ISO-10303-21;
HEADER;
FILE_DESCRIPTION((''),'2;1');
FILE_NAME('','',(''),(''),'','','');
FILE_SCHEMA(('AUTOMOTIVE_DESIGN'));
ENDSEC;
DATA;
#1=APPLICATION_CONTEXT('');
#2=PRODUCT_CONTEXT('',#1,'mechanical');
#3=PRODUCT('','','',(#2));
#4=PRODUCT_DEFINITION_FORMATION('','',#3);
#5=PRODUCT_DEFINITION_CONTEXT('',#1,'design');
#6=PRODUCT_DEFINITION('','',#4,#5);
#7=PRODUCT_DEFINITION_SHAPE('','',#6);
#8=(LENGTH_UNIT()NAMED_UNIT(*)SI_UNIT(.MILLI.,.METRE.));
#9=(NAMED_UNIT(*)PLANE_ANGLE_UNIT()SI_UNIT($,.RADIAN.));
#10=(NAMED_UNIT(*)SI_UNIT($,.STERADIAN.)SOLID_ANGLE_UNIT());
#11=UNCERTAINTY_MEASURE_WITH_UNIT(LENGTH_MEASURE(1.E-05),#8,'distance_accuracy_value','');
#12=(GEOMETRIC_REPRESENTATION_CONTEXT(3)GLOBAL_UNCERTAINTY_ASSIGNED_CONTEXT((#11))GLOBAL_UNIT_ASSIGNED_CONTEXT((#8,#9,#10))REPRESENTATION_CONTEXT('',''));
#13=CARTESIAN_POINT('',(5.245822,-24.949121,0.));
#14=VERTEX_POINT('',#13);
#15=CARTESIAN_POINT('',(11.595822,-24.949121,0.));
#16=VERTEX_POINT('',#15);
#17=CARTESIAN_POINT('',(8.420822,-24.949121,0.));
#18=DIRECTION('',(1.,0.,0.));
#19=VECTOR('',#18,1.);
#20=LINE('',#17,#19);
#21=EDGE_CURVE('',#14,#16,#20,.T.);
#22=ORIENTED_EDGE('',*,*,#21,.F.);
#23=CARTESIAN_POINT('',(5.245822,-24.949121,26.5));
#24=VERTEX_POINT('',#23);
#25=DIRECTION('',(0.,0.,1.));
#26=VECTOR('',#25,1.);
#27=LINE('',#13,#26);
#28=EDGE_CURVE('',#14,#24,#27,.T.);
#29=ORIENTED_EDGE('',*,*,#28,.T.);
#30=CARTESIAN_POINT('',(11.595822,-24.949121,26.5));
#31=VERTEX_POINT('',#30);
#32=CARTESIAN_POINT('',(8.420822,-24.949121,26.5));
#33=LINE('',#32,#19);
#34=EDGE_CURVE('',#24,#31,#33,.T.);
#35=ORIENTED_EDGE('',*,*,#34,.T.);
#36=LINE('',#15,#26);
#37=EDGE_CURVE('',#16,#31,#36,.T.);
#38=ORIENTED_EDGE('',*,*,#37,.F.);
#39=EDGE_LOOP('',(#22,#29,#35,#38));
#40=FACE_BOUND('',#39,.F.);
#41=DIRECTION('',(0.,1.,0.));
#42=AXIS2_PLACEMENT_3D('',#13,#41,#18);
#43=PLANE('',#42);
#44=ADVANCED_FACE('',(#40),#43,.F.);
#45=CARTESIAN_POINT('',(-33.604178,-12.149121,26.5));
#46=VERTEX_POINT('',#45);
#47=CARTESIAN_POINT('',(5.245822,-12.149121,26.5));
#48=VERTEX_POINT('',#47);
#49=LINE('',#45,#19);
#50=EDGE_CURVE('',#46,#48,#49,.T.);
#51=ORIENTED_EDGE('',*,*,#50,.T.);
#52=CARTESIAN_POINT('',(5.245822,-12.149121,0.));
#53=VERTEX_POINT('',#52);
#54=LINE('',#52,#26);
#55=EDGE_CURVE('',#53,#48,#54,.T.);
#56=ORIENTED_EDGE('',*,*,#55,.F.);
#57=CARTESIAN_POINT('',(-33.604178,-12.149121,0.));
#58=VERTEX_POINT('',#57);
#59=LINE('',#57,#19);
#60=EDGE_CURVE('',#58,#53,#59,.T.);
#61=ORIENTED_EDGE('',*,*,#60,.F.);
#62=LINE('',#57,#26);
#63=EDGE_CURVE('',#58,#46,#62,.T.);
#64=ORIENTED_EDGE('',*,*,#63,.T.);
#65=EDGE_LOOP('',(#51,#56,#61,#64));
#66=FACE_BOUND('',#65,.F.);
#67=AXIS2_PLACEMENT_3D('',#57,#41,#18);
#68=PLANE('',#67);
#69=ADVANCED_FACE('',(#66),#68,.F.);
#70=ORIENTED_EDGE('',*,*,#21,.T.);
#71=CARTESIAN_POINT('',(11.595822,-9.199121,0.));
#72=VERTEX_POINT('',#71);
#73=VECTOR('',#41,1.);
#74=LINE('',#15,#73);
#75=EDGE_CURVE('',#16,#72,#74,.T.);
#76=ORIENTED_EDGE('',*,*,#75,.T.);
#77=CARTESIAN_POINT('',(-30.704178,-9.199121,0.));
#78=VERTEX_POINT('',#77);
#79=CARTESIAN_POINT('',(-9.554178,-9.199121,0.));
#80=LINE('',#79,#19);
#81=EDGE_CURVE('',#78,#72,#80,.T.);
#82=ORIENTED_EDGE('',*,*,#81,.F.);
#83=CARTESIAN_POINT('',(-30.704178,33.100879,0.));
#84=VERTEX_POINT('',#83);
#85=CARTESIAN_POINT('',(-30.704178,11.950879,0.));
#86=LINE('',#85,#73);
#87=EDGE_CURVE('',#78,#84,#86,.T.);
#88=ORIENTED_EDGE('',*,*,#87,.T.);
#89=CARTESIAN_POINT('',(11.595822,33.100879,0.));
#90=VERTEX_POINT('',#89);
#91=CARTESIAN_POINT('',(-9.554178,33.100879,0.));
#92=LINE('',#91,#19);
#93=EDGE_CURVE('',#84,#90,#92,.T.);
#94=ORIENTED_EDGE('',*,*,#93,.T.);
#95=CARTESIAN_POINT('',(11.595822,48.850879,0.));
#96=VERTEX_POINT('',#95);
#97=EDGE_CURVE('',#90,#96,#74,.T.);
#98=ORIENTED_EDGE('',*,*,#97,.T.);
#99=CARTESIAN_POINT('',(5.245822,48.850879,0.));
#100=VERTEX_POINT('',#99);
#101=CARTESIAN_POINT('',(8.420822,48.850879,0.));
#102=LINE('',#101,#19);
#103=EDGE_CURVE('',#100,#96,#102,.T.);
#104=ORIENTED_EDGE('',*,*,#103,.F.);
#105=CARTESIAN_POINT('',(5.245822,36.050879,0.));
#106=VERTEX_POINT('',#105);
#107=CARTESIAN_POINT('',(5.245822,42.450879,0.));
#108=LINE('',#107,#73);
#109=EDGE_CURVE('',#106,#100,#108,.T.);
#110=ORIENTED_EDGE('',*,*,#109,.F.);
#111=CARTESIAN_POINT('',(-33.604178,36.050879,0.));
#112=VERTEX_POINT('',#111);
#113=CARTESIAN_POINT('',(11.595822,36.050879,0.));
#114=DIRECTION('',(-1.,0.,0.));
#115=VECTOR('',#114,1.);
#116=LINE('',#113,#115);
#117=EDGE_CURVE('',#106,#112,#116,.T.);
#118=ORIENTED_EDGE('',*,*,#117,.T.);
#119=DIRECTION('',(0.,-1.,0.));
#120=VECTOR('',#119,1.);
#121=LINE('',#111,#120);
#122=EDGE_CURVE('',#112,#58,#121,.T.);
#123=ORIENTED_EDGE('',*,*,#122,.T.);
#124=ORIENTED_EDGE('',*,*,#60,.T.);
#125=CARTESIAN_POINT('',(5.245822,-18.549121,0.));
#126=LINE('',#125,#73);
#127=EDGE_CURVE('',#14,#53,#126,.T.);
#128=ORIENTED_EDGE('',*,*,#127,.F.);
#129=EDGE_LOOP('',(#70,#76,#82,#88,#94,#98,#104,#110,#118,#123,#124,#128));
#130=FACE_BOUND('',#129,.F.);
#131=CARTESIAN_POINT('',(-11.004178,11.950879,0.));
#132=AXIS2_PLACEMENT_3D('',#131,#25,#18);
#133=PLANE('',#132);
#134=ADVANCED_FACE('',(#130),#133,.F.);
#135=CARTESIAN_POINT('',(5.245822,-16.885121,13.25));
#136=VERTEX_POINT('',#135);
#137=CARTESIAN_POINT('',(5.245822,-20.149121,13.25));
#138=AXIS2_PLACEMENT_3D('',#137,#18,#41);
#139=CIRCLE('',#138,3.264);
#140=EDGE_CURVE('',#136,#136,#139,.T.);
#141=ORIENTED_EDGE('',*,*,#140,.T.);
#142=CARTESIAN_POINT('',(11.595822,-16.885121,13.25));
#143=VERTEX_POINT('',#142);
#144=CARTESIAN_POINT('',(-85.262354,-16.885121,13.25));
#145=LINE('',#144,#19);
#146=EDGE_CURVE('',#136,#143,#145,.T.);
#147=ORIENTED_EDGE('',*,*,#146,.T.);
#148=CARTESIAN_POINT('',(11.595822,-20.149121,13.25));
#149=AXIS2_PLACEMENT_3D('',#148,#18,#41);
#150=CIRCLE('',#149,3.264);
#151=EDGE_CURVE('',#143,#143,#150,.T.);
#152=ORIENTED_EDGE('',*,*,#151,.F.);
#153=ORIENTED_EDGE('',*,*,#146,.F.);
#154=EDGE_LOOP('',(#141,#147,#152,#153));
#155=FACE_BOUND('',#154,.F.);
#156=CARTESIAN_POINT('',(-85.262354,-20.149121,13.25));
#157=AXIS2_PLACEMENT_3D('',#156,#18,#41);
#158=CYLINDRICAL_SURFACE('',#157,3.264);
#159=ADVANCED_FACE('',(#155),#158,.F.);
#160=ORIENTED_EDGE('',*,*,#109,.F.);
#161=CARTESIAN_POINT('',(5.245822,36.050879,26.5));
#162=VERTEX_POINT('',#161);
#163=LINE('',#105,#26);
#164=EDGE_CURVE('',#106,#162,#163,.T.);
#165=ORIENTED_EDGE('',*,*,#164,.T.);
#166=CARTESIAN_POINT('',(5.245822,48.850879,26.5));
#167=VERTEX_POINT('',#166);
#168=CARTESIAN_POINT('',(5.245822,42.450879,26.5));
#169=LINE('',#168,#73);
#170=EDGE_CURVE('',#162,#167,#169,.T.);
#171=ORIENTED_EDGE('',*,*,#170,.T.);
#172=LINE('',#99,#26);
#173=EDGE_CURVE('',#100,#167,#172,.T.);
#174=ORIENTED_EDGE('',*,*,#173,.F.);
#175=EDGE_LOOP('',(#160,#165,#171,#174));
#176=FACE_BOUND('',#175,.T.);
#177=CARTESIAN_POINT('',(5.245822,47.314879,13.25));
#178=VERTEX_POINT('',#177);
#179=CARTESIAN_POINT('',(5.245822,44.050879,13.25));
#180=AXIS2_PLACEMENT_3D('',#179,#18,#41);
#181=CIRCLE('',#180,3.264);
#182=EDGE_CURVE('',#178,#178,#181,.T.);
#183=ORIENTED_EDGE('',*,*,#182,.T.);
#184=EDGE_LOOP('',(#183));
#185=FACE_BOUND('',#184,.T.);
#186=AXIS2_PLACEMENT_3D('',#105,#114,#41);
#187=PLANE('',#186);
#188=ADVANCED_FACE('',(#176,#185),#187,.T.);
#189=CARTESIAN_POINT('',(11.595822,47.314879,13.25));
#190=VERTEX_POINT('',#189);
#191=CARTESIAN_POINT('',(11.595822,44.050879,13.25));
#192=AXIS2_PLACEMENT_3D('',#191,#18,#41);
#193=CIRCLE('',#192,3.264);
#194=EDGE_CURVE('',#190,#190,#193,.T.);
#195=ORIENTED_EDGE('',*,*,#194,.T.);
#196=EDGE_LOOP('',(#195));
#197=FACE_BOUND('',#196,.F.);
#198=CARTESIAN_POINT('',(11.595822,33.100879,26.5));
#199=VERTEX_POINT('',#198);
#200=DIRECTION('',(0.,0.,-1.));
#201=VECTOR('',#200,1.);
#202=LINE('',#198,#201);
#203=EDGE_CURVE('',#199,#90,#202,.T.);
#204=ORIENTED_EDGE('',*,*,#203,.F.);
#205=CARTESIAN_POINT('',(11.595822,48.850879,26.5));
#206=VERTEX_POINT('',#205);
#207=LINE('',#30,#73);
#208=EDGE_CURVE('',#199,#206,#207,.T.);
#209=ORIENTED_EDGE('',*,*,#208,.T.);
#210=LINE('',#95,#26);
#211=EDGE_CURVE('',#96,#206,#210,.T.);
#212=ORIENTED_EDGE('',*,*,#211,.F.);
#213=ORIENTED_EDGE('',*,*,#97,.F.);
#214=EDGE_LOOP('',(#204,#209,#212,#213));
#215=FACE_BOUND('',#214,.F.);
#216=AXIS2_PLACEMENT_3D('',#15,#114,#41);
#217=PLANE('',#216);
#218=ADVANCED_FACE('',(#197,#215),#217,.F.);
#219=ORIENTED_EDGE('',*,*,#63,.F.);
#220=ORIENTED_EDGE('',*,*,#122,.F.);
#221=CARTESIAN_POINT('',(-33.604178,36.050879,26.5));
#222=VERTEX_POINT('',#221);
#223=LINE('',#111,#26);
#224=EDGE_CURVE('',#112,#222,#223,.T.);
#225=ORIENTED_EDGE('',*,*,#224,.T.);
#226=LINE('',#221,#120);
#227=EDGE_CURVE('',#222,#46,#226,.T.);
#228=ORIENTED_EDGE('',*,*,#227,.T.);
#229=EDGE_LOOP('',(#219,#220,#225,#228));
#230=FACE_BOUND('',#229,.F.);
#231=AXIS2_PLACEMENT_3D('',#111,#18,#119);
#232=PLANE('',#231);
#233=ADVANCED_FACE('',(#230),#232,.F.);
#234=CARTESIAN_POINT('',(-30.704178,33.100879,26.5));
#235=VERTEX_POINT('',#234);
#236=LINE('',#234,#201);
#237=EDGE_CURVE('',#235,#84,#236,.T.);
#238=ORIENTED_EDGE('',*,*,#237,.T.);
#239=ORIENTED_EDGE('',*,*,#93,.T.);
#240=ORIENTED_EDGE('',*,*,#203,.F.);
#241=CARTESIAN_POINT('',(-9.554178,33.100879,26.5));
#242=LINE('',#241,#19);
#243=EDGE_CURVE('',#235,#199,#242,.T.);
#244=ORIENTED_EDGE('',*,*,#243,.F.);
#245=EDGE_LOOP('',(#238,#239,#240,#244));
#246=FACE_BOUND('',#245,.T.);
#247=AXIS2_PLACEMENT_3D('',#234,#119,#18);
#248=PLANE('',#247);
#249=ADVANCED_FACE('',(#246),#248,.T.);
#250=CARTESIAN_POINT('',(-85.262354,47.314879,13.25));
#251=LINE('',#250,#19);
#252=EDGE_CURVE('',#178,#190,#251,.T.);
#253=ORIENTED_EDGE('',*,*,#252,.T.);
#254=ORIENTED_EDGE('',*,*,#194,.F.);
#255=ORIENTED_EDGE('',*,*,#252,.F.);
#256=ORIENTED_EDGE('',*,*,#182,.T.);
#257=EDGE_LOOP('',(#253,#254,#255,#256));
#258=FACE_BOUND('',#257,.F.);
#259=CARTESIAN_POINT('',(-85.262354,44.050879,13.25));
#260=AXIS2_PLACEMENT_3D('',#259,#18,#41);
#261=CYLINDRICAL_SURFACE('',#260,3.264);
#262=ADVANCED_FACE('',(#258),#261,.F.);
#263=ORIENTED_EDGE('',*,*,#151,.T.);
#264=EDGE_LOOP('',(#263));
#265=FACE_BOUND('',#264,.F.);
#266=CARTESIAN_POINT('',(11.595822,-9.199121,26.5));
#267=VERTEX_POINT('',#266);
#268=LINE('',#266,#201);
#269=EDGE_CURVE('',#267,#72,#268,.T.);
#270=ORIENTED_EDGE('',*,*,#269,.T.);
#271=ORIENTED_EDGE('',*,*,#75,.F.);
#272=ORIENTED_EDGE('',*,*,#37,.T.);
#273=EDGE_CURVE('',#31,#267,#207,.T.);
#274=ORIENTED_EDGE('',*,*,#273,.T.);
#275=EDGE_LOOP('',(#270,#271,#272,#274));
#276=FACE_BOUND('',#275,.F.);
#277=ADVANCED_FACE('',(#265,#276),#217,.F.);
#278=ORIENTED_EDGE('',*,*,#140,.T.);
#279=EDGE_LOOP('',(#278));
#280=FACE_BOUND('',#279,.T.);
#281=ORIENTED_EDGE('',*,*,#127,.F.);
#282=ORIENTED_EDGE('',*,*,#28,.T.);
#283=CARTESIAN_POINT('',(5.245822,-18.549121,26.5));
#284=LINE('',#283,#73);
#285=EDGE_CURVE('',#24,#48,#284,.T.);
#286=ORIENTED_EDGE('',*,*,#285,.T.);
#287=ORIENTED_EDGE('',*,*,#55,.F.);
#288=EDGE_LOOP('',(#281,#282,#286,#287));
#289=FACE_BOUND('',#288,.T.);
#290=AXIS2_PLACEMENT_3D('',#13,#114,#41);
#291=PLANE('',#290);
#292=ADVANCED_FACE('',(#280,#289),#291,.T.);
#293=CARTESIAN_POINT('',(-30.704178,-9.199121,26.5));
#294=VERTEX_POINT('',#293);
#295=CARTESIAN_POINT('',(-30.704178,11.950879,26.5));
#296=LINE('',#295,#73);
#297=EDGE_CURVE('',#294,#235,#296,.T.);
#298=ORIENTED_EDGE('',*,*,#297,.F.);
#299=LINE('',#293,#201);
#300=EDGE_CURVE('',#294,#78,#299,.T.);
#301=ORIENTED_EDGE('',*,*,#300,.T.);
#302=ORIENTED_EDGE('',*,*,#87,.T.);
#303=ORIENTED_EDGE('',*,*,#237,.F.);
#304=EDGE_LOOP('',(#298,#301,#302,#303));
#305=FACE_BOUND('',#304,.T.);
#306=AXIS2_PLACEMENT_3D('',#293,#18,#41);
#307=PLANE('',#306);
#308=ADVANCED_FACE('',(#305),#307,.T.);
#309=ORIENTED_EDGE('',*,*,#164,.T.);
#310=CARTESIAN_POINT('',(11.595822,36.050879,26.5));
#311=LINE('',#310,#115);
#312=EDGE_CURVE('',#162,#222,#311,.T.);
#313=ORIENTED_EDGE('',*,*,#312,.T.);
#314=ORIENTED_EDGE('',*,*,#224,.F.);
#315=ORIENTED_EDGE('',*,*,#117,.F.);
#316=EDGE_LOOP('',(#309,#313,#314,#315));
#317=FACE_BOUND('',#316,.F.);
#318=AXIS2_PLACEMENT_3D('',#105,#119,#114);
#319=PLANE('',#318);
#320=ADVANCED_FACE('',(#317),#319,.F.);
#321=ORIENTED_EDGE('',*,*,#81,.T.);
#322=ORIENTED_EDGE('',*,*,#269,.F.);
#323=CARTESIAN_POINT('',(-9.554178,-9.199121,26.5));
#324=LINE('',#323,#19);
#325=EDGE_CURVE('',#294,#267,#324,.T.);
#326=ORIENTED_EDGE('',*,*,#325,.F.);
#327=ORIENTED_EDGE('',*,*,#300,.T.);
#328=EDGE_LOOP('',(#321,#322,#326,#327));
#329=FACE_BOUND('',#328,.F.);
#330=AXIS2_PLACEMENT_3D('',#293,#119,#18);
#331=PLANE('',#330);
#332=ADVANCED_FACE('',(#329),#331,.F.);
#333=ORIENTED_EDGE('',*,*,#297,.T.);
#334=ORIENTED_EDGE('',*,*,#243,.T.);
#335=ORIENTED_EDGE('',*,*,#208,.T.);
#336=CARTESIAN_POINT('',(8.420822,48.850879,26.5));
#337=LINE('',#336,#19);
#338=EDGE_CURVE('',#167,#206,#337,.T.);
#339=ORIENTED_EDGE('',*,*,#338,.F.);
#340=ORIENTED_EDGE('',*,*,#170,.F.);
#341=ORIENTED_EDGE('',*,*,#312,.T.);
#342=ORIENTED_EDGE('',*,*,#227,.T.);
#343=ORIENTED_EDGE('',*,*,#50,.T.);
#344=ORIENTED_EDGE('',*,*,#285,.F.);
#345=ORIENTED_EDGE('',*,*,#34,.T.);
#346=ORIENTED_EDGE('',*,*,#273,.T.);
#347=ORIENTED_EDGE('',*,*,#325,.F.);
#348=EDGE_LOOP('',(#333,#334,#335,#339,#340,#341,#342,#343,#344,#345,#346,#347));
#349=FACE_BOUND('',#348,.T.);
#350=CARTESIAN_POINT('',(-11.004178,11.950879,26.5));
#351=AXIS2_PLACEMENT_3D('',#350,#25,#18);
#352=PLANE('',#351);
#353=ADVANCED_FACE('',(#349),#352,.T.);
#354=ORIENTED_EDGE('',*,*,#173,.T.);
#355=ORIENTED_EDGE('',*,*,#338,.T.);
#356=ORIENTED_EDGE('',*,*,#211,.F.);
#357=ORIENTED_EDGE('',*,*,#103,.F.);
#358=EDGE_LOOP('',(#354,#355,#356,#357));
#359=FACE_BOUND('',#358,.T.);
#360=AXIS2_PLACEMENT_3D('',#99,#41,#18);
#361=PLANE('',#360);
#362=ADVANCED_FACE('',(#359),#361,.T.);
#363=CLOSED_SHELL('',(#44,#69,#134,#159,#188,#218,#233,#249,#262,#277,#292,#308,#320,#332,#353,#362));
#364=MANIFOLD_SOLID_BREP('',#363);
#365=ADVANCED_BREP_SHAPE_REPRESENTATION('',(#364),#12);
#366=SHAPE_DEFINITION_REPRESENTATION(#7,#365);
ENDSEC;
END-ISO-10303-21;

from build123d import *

# Parameters (mm, degrees)
F0_W     = 6.35
F0_H     = 12.8
F1_DEPTH = 26.5
F3_D     = 6.528
F4_W     = 42.3
F4_H     = 42.3
F5_DEPTH = 26.5


with BuildPart() as f1:
    # F0 (on Top) → F1 (new body)
    with BuildSketch(Plane.XY):
        Polygon((5.245822, 36.050879), (-33.604178, 36.050879), (-33.604178, -12.149121), (5.245822, -12.149121), (11.595822, -12.149121), (11.595822, 36.050879), align=None)
        with Locations((8.420822, 42.450879)):
            Rectangle(F0_W, F0_H)
        with Locations((8.420822, -18.549121)):
            Rectangle(F0_W, F0_H)
    extrude(amount=F1_DEPTH)

    # F3 (through all)
    with Locations(Plane(origin=(5.245822, 0, 0), x_dir=(0, -1, 0), z_dir=(-1, 0, 0))):
        with Locations((-44.050879, 13.25), (20.149121, 13.25)):
            Hole(F3_D / 2)

    # F4 (on face) → F5 (cut, through all)
    with BuildSketch(Plane.XY.offset(26.5)):
        with Locations((-9.554178, 11.950879)):
            Rectangle(F4_W, F4_H)
    extrude(amount=-F5_DEPTH, mode=Mode.SUBTRACT)


solid = f1.part
